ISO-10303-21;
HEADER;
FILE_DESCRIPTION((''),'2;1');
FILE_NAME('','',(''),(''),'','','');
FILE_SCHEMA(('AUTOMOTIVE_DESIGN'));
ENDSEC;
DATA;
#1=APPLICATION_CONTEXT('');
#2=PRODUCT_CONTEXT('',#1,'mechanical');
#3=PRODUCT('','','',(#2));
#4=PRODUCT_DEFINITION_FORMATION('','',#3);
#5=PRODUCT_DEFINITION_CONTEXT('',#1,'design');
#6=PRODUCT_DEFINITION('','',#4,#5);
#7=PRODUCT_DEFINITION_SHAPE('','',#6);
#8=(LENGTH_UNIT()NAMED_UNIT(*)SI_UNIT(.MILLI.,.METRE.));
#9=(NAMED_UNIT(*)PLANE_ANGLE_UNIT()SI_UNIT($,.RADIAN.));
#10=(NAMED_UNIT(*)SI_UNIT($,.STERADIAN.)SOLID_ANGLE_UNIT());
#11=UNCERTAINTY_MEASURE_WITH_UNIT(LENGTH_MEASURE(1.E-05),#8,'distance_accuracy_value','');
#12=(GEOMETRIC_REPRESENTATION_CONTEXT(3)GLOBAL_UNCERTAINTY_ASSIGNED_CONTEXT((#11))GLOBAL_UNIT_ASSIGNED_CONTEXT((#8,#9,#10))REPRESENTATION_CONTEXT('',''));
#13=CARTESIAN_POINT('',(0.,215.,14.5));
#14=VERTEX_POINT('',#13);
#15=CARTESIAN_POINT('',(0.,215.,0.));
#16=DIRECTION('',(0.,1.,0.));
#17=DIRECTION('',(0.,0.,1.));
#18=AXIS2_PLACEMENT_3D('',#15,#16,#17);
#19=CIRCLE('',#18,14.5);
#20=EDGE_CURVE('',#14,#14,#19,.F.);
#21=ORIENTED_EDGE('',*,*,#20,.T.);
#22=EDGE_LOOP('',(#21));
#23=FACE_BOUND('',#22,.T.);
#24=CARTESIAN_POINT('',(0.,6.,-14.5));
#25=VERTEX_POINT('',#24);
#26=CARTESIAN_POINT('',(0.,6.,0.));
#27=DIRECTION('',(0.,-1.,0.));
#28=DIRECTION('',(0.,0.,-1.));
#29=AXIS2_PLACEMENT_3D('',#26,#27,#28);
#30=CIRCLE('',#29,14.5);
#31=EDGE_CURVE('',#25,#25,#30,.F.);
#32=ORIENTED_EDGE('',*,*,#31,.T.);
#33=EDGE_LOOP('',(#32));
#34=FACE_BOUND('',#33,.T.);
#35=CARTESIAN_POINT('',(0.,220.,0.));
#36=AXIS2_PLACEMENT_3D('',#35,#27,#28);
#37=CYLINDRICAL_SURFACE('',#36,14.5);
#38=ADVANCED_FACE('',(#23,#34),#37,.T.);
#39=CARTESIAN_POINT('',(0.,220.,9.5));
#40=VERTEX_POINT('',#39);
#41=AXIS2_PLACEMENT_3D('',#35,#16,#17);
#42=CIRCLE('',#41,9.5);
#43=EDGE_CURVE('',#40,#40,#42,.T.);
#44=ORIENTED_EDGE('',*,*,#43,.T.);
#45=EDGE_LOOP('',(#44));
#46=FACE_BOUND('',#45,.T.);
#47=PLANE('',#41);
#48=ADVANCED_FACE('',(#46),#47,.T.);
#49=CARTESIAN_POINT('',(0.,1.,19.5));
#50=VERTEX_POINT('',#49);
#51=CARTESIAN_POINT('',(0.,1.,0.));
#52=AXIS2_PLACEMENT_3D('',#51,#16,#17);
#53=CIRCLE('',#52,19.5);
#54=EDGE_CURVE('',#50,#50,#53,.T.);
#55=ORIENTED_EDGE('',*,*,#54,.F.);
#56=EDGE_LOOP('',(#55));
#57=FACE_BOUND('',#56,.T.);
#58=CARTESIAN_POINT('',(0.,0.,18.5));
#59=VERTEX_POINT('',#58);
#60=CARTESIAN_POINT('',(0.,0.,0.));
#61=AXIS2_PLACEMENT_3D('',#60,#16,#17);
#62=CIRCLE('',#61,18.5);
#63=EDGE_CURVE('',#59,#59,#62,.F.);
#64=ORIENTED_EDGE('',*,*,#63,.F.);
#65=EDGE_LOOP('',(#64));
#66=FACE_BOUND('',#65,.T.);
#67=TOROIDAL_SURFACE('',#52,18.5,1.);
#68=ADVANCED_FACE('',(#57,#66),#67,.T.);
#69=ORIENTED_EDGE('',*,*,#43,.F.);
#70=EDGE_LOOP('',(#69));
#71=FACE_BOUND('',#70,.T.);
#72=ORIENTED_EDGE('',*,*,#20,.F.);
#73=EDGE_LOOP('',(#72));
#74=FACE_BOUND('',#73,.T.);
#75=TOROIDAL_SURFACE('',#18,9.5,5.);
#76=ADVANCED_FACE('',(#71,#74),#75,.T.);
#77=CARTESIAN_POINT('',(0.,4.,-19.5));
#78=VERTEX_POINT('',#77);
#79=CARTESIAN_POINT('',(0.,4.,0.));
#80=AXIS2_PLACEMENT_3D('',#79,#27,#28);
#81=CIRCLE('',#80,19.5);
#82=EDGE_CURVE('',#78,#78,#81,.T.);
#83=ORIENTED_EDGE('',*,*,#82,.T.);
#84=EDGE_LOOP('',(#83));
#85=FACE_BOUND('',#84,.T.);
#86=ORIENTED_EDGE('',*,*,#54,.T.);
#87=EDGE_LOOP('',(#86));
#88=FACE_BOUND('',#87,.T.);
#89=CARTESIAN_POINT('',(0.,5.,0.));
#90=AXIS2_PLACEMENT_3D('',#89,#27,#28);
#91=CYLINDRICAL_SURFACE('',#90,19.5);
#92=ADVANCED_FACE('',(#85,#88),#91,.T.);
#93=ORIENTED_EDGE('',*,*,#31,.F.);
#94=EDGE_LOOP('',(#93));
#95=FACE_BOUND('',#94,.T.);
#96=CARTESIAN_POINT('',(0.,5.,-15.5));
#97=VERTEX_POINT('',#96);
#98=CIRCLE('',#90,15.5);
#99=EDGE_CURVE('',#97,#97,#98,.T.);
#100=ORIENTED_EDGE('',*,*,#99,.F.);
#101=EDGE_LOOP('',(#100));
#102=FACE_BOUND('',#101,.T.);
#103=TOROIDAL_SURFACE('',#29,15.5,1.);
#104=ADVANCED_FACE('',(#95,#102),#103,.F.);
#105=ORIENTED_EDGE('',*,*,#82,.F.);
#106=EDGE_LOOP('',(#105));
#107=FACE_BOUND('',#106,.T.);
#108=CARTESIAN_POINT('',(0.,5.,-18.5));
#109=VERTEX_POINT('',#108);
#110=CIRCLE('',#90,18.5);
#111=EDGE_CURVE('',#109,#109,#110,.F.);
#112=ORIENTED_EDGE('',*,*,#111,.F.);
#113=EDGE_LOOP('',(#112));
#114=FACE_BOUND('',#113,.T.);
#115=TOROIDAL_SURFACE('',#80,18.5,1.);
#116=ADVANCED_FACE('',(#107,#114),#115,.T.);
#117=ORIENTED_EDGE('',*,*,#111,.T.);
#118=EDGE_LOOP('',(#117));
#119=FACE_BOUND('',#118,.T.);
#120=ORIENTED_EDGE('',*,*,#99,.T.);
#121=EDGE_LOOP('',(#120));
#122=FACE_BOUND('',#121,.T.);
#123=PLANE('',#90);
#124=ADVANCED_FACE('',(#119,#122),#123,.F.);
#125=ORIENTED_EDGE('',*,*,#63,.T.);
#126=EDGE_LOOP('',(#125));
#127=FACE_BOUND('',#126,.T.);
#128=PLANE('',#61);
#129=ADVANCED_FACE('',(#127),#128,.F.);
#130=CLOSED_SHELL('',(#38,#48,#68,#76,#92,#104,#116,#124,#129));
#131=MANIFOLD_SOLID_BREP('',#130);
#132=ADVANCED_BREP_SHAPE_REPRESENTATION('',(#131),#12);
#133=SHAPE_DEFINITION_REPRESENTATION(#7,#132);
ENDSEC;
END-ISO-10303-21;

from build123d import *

# Parameters (mm, degrees)
SKETCH2_R           = 14.5
BOSS_EXTRUDE1_DEPTH = 220
FILLET1_R           = 5
SKETCH3_R           = 19.5
BOSS_EXTRUDE2_DEPTH = 5
FILLET2_R           = 1


with BuildPart() as part:
    # Sketch2 → Boss-Extrude1 (new body)
    with BuildSketch(Plane(origin=(0, 0, 0), x_dir=(1, 0, 0), z_dir=(0, 1, 0))):
        with Locations(Location((0, 0, 0), (0, 0, 270))):
            Circle(SKETCH2_R)
    extrude(amount=BOSS_EXTRUDE1_DEPTH)

    # Fillet1
    fillet1_edges = [part.edges().sort_by_distance(p)[0] for p in [
        (0, 220, -14.5),
    ]]
    fillet(fillet1_edges, radius=FILLET1_R)

    # Sketch3 → Boss-Extrude2 (add)
    with BuildSketch(Plane.XZ):
        with Locations(Location((0, 0, 0), (0, 0, 270))):
            Circle(SKETCH3_R)
    extrude(amount=-BOSS_EXTRUDE2_DEPTH)

    # Fillet2
    fillet2_edges = [part.edges().sort_by_distance(p)[0] for p in [
        (0, 5, 19.5),
        (0, 0, 19.5),
        (0, 5, -14.5),
    ]]
    fillet(fillet2_edges, radius=FILLET2_R)


solid = part.part
